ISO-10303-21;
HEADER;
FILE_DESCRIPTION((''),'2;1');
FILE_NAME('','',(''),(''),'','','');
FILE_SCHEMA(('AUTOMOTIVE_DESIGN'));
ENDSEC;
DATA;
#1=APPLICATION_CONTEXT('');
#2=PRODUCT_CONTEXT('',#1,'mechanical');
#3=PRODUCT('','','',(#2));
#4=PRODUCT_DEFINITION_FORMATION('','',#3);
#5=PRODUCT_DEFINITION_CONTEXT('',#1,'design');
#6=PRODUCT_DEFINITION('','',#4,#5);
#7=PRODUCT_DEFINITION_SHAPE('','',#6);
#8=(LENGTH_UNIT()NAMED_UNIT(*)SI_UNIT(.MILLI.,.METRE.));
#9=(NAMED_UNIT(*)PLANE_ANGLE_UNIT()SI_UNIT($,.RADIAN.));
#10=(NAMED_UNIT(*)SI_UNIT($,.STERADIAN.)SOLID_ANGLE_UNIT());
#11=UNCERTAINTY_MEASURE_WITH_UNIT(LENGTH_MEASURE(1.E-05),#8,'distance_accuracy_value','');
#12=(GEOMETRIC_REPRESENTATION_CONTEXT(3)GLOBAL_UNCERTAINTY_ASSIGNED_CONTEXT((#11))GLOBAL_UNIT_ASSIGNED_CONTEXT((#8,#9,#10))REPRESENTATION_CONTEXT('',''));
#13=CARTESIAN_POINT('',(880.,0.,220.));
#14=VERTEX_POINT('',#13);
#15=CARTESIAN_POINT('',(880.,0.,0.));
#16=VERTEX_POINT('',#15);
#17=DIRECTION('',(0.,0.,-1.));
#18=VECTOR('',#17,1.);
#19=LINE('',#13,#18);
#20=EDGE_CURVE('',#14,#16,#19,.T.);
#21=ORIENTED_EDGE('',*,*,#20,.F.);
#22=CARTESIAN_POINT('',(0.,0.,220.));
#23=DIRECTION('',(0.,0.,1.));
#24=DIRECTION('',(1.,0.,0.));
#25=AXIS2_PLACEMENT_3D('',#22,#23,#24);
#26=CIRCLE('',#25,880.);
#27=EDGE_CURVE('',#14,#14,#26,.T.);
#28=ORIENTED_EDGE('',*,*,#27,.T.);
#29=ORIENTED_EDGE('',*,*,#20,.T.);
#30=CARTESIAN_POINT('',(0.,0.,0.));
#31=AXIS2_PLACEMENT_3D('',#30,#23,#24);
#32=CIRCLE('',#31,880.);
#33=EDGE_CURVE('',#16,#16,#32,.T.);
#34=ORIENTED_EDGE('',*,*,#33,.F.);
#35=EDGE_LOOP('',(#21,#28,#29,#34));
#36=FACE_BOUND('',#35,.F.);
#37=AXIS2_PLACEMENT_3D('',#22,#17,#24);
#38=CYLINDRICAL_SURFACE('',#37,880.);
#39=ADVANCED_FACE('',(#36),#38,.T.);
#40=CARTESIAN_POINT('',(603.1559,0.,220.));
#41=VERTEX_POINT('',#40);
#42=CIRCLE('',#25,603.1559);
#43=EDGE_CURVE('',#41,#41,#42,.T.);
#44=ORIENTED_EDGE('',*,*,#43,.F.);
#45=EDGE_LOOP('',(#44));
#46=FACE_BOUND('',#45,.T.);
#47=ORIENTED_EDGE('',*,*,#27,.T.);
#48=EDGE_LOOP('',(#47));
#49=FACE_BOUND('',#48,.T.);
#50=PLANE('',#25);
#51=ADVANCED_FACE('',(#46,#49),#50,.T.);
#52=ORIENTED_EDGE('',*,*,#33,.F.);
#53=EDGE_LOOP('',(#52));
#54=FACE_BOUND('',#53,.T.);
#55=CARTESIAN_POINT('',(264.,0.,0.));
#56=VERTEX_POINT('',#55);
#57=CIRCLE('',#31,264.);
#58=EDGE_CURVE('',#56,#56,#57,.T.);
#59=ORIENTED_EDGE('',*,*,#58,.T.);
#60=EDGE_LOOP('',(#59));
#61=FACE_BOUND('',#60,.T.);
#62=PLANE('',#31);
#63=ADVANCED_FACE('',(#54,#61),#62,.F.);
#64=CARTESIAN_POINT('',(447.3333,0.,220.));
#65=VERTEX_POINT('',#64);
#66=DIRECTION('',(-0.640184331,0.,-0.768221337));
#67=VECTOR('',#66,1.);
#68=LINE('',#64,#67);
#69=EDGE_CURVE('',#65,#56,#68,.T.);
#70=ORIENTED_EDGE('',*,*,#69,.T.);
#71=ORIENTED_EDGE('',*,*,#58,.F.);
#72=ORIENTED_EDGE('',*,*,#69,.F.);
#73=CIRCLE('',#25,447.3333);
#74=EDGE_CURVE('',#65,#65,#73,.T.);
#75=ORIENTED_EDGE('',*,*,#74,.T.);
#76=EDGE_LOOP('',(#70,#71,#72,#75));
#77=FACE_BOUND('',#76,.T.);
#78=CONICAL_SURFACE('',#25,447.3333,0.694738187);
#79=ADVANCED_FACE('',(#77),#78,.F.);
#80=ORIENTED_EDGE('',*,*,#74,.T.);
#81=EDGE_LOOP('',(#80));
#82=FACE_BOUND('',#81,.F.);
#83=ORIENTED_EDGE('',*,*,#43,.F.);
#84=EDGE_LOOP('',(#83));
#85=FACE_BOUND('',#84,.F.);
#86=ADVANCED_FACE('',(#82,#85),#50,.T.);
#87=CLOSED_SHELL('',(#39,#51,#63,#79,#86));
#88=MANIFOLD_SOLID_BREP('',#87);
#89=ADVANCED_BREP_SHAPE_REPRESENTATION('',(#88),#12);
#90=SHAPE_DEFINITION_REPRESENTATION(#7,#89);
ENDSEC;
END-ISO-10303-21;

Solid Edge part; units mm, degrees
sketch "Sketch1" plane through (0, 0, 0) normal (0, -1, 0) x (1, 0, 0)
  line L0 (880, 220) -> (603.1559, 220)
  line L1 (447.3333, 220) -> (603.1559, 220)
  line L2 (447.3333, 220) -> (264, 0)
  line L3 (264, 0) -> (880, 0)
  line L4 (880, 220) -> (880, 0)
revolve "RevolvedProtrusion1" add sketch "Sketch1" angle 360 about axis through (0, 0, 0) along (0, 0, 1)
